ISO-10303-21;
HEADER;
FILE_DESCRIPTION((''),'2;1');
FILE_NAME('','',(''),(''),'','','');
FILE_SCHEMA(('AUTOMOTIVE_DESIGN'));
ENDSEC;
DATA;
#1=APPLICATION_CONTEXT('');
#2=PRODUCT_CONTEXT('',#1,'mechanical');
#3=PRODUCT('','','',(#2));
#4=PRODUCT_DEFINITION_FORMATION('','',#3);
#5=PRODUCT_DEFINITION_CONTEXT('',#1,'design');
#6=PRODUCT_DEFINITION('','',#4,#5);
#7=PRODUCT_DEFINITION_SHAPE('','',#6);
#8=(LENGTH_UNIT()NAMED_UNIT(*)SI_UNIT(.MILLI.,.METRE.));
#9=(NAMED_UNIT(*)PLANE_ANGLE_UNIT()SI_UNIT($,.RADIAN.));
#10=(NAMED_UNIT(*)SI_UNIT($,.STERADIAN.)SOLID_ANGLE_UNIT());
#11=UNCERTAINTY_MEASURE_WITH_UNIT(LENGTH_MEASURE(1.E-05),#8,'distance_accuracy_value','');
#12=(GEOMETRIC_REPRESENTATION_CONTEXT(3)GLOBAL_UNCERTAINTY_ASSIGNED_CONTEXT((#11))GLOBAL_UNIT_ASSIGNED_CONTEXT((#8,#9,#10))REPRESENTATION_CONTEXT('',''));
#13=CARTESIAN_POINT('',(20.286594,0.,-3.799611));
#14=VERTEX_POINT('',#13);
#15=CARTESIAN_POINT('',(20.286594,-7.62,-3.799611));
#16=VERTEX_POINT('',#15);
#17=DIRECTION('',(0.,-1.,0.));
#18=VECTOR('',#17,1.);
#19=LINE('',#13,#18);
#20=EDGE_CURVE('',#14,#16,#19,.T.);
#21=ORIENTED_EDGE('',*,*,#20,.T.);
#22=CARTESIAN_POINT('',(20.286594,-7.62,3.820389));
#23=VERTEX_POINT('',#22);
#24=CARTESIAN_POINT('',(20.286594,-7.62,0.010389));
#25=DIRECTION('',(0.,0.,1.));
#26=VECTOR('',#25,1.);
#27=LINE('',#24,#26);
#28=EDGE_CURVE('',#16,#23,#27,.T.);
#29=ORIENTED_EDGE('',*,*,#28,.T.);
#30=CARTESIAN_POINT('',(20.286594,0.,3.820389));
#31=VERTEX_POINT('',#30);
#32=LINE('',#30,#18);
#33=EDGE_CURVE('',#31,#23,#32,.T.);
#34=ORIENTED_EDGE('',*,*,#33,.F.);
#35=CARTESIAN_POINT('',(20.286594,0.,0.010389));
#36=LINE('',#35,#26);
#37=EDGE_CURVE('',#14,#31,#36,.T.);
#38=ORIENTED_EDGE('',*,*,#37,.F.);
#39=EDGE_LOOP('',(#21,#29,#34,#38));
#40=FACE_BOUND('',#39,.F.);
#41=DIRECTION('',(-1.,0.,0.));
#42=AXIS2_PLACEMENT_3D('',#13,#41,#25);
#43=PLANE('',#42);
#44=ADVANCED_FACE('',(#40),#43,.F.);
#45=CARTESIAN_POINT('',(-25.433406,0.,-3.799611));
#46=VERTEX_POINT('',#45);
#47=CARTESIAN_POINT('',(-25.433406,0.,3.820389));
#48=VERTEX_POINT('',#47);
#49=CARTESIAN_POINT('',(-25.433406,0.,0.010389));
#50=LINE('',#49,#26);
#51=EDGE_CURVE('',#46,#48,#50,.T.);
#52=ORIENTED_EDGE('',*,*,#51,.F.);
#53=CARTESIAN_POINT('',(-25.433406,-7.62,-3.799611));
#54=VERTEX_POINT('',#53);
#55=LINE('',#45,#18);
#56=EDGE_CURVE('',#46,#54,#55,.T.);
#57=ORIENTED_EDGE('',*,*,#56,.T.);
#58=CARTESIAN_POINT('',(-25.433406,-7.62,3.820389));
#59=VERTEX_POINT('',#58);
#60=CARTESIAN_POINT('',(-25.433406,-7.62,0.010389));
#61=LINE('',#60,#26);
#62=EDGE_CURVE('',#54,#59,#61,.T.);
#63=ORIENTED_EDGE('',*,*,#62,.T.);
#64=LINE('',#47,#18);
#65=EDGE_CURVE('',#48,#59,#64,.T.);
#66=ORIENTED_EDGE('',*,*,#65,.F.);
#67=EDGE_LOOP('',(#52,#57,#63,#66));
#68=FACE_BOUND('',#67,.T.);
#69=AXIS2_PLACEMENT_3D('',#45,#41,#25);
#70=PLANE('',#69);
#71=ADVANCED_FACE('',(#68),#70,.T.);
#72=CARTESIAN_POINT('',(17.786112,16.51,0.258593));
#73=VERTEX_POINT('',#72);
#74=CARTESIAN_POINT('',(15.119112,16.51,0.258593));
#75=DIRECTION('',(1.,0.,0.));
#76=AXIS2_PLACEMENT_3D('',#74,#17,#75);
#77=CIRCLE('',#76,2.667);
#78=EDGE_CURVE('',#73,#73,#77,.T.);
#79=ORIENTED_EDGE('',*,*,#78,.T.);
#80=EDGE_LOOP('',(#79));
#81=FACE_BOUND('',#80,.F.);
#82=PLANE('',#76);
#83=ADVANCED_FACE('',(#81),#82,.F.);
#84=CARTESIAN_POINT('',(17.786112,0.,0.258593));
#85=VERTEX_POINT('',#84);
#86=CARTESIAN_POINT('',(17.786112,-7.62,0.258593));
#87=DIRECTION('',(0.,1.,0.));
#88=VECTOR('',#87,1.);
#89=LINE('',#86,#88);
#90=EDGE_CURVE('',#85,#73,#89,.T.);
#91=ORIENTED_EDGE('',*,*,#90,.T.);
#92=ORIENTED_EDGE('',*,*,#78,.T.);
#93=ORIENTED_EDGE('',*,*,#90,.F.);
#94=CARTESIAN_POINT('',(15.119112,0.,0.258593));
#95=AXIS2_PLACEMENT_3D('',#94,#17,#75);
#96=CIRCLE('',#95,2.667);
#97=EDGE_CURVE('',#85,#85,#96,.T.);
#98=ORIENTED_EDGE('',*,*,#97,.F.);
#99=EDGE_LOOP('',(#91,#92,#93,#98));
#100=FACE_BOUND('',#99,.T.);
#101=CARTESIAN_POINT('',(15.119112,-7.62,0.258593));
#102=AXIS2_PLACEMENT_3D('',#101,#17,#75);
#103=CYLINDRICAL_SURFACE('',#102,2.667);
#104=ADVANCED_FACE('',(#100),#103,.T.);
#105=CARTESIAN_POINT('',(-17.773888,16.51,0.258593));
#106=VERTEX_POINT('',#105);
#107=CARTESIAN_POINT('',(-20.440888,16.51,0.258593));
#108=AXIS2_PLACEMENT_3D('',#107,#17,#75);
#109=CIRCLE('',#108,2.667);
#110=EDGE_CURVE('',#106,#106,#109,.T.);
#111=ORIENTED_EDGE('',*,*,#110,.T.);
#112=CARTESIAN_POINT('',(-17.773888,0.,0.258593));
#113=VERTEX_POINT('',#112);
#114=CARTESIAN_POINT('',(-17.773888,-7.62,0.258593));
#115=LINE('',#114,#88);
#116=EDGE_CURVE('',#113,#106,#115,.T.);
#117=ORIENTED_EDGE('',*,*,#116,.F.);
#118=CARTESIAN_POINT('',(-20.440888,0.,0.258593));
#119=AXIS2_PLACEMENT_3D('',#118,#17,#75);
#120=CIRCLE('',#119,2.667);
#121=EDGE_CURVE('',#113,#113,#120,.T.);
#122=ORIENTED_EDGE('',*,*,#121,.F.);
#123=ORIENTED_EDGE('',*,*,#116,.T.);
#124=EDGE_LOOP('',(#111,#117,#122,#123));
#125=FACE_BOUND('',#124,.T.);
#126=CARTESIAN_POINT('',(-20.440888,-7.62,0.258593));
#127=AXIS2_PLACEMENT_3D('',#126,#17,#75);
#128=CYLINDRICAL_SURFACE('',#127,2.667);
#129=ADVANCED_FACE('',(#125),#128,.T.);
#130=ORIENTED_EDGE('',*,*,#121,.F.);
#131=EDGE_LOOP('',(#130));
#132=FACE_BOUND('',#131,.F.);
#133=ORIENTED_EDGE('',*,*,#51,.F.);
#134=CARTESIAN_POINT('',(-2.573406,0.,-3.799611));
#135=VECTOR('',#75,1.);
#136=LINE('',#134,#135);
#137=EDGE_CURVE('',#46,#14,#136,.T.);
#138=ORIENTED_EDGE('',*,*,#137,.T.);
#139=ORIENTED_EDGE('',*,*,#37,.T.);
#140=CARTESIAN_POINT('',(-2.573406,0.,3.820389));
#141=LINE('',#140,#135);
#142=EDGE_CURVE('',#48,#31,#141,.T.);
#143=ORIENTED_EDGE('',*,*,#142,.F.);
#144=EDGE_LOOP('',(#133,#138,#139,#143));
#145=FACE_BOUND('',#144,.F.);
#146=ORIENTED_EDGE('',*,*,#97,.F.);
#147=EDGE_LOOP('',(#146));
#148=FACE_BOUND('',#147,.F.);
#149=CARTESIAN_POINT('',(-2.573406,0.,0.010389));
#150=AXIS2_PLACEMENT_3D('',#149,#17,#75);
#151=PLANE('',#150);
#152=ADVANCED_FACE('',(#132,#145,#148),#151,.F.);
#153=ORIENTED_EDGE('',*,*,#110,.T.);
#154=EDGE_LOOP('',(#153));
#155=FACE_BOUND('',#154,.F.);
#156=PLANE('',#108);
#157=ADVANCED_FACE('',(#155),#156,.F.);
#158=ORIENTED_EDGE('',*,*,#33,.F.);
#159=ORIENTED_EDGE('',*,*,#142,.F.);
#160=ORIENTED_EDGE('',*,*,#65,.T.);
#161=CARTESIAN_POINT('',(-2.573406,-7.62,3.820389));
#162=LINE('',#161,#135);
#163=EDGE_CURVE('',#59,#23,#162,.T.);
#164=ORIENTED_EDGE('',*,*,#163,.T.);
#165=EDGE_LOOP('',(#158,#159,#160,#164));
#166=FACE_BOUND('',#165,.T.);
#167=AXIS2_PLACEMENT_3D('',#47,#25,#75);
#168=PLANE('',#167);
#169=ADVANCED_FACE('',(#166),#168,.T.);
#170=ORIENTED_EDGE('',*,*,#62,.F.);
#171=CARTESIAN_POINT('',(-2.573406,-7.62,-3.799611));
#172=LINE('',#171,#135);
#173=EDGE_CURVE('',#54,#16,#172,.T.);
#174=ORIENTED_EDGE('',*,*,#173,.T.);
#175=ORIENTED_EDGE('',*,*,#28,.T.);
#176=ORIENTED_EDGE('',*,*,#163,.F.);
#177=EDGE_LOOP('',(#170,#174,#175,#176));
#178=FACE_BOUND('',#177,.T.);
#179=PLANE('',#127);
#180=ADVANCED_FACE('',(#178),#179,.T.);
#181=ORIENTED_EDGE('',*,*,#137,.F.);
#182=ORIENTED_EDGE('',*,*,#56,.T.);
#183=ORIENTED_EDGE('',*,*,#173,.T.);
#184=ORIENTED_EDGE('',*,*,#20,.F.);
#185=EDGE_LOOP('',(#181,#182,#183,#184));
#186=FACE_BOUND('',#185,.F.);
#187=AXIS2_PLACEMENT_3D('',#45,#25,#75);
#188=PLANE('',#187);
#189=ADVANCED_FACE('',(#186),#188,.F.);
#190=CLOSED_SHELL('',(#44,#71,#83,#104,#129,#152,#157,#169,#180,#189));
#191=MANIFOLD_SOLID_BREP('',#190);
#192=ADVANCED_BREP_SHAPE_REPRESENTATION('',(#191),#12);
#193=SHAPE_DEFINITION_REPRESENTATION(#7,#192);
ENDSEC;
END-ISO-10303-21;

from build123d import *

# Parameters (mm, degrees)
F0_W     = 45.72
F0_H     = 7.62
F1_DEPTH = 7.62
F2_R     = 2.667
F3_DEPTH = 24.13


with BuildPart() as f1:
    # F0 (on Front) → F1 (new body)
    with BuildSketch(Plane.XZ):
        with Locations((-2.573406, 0.010389)):
            Rectangle(F0_W, F0_H)
    extrude(amount=F1_DEPTH)

    # F2 (on face) → F3 (join)
    with BuildSketch(Plane.XZ.offset(7.62)):
        with Locations((-20.440888, 0.258593)):
            Circle(F2_R)
        with Locations((15.119112, 0.258593)):
            Circle(F2_R)
    extrude(amount=-F3_DEPTH)


solid = f1.part
